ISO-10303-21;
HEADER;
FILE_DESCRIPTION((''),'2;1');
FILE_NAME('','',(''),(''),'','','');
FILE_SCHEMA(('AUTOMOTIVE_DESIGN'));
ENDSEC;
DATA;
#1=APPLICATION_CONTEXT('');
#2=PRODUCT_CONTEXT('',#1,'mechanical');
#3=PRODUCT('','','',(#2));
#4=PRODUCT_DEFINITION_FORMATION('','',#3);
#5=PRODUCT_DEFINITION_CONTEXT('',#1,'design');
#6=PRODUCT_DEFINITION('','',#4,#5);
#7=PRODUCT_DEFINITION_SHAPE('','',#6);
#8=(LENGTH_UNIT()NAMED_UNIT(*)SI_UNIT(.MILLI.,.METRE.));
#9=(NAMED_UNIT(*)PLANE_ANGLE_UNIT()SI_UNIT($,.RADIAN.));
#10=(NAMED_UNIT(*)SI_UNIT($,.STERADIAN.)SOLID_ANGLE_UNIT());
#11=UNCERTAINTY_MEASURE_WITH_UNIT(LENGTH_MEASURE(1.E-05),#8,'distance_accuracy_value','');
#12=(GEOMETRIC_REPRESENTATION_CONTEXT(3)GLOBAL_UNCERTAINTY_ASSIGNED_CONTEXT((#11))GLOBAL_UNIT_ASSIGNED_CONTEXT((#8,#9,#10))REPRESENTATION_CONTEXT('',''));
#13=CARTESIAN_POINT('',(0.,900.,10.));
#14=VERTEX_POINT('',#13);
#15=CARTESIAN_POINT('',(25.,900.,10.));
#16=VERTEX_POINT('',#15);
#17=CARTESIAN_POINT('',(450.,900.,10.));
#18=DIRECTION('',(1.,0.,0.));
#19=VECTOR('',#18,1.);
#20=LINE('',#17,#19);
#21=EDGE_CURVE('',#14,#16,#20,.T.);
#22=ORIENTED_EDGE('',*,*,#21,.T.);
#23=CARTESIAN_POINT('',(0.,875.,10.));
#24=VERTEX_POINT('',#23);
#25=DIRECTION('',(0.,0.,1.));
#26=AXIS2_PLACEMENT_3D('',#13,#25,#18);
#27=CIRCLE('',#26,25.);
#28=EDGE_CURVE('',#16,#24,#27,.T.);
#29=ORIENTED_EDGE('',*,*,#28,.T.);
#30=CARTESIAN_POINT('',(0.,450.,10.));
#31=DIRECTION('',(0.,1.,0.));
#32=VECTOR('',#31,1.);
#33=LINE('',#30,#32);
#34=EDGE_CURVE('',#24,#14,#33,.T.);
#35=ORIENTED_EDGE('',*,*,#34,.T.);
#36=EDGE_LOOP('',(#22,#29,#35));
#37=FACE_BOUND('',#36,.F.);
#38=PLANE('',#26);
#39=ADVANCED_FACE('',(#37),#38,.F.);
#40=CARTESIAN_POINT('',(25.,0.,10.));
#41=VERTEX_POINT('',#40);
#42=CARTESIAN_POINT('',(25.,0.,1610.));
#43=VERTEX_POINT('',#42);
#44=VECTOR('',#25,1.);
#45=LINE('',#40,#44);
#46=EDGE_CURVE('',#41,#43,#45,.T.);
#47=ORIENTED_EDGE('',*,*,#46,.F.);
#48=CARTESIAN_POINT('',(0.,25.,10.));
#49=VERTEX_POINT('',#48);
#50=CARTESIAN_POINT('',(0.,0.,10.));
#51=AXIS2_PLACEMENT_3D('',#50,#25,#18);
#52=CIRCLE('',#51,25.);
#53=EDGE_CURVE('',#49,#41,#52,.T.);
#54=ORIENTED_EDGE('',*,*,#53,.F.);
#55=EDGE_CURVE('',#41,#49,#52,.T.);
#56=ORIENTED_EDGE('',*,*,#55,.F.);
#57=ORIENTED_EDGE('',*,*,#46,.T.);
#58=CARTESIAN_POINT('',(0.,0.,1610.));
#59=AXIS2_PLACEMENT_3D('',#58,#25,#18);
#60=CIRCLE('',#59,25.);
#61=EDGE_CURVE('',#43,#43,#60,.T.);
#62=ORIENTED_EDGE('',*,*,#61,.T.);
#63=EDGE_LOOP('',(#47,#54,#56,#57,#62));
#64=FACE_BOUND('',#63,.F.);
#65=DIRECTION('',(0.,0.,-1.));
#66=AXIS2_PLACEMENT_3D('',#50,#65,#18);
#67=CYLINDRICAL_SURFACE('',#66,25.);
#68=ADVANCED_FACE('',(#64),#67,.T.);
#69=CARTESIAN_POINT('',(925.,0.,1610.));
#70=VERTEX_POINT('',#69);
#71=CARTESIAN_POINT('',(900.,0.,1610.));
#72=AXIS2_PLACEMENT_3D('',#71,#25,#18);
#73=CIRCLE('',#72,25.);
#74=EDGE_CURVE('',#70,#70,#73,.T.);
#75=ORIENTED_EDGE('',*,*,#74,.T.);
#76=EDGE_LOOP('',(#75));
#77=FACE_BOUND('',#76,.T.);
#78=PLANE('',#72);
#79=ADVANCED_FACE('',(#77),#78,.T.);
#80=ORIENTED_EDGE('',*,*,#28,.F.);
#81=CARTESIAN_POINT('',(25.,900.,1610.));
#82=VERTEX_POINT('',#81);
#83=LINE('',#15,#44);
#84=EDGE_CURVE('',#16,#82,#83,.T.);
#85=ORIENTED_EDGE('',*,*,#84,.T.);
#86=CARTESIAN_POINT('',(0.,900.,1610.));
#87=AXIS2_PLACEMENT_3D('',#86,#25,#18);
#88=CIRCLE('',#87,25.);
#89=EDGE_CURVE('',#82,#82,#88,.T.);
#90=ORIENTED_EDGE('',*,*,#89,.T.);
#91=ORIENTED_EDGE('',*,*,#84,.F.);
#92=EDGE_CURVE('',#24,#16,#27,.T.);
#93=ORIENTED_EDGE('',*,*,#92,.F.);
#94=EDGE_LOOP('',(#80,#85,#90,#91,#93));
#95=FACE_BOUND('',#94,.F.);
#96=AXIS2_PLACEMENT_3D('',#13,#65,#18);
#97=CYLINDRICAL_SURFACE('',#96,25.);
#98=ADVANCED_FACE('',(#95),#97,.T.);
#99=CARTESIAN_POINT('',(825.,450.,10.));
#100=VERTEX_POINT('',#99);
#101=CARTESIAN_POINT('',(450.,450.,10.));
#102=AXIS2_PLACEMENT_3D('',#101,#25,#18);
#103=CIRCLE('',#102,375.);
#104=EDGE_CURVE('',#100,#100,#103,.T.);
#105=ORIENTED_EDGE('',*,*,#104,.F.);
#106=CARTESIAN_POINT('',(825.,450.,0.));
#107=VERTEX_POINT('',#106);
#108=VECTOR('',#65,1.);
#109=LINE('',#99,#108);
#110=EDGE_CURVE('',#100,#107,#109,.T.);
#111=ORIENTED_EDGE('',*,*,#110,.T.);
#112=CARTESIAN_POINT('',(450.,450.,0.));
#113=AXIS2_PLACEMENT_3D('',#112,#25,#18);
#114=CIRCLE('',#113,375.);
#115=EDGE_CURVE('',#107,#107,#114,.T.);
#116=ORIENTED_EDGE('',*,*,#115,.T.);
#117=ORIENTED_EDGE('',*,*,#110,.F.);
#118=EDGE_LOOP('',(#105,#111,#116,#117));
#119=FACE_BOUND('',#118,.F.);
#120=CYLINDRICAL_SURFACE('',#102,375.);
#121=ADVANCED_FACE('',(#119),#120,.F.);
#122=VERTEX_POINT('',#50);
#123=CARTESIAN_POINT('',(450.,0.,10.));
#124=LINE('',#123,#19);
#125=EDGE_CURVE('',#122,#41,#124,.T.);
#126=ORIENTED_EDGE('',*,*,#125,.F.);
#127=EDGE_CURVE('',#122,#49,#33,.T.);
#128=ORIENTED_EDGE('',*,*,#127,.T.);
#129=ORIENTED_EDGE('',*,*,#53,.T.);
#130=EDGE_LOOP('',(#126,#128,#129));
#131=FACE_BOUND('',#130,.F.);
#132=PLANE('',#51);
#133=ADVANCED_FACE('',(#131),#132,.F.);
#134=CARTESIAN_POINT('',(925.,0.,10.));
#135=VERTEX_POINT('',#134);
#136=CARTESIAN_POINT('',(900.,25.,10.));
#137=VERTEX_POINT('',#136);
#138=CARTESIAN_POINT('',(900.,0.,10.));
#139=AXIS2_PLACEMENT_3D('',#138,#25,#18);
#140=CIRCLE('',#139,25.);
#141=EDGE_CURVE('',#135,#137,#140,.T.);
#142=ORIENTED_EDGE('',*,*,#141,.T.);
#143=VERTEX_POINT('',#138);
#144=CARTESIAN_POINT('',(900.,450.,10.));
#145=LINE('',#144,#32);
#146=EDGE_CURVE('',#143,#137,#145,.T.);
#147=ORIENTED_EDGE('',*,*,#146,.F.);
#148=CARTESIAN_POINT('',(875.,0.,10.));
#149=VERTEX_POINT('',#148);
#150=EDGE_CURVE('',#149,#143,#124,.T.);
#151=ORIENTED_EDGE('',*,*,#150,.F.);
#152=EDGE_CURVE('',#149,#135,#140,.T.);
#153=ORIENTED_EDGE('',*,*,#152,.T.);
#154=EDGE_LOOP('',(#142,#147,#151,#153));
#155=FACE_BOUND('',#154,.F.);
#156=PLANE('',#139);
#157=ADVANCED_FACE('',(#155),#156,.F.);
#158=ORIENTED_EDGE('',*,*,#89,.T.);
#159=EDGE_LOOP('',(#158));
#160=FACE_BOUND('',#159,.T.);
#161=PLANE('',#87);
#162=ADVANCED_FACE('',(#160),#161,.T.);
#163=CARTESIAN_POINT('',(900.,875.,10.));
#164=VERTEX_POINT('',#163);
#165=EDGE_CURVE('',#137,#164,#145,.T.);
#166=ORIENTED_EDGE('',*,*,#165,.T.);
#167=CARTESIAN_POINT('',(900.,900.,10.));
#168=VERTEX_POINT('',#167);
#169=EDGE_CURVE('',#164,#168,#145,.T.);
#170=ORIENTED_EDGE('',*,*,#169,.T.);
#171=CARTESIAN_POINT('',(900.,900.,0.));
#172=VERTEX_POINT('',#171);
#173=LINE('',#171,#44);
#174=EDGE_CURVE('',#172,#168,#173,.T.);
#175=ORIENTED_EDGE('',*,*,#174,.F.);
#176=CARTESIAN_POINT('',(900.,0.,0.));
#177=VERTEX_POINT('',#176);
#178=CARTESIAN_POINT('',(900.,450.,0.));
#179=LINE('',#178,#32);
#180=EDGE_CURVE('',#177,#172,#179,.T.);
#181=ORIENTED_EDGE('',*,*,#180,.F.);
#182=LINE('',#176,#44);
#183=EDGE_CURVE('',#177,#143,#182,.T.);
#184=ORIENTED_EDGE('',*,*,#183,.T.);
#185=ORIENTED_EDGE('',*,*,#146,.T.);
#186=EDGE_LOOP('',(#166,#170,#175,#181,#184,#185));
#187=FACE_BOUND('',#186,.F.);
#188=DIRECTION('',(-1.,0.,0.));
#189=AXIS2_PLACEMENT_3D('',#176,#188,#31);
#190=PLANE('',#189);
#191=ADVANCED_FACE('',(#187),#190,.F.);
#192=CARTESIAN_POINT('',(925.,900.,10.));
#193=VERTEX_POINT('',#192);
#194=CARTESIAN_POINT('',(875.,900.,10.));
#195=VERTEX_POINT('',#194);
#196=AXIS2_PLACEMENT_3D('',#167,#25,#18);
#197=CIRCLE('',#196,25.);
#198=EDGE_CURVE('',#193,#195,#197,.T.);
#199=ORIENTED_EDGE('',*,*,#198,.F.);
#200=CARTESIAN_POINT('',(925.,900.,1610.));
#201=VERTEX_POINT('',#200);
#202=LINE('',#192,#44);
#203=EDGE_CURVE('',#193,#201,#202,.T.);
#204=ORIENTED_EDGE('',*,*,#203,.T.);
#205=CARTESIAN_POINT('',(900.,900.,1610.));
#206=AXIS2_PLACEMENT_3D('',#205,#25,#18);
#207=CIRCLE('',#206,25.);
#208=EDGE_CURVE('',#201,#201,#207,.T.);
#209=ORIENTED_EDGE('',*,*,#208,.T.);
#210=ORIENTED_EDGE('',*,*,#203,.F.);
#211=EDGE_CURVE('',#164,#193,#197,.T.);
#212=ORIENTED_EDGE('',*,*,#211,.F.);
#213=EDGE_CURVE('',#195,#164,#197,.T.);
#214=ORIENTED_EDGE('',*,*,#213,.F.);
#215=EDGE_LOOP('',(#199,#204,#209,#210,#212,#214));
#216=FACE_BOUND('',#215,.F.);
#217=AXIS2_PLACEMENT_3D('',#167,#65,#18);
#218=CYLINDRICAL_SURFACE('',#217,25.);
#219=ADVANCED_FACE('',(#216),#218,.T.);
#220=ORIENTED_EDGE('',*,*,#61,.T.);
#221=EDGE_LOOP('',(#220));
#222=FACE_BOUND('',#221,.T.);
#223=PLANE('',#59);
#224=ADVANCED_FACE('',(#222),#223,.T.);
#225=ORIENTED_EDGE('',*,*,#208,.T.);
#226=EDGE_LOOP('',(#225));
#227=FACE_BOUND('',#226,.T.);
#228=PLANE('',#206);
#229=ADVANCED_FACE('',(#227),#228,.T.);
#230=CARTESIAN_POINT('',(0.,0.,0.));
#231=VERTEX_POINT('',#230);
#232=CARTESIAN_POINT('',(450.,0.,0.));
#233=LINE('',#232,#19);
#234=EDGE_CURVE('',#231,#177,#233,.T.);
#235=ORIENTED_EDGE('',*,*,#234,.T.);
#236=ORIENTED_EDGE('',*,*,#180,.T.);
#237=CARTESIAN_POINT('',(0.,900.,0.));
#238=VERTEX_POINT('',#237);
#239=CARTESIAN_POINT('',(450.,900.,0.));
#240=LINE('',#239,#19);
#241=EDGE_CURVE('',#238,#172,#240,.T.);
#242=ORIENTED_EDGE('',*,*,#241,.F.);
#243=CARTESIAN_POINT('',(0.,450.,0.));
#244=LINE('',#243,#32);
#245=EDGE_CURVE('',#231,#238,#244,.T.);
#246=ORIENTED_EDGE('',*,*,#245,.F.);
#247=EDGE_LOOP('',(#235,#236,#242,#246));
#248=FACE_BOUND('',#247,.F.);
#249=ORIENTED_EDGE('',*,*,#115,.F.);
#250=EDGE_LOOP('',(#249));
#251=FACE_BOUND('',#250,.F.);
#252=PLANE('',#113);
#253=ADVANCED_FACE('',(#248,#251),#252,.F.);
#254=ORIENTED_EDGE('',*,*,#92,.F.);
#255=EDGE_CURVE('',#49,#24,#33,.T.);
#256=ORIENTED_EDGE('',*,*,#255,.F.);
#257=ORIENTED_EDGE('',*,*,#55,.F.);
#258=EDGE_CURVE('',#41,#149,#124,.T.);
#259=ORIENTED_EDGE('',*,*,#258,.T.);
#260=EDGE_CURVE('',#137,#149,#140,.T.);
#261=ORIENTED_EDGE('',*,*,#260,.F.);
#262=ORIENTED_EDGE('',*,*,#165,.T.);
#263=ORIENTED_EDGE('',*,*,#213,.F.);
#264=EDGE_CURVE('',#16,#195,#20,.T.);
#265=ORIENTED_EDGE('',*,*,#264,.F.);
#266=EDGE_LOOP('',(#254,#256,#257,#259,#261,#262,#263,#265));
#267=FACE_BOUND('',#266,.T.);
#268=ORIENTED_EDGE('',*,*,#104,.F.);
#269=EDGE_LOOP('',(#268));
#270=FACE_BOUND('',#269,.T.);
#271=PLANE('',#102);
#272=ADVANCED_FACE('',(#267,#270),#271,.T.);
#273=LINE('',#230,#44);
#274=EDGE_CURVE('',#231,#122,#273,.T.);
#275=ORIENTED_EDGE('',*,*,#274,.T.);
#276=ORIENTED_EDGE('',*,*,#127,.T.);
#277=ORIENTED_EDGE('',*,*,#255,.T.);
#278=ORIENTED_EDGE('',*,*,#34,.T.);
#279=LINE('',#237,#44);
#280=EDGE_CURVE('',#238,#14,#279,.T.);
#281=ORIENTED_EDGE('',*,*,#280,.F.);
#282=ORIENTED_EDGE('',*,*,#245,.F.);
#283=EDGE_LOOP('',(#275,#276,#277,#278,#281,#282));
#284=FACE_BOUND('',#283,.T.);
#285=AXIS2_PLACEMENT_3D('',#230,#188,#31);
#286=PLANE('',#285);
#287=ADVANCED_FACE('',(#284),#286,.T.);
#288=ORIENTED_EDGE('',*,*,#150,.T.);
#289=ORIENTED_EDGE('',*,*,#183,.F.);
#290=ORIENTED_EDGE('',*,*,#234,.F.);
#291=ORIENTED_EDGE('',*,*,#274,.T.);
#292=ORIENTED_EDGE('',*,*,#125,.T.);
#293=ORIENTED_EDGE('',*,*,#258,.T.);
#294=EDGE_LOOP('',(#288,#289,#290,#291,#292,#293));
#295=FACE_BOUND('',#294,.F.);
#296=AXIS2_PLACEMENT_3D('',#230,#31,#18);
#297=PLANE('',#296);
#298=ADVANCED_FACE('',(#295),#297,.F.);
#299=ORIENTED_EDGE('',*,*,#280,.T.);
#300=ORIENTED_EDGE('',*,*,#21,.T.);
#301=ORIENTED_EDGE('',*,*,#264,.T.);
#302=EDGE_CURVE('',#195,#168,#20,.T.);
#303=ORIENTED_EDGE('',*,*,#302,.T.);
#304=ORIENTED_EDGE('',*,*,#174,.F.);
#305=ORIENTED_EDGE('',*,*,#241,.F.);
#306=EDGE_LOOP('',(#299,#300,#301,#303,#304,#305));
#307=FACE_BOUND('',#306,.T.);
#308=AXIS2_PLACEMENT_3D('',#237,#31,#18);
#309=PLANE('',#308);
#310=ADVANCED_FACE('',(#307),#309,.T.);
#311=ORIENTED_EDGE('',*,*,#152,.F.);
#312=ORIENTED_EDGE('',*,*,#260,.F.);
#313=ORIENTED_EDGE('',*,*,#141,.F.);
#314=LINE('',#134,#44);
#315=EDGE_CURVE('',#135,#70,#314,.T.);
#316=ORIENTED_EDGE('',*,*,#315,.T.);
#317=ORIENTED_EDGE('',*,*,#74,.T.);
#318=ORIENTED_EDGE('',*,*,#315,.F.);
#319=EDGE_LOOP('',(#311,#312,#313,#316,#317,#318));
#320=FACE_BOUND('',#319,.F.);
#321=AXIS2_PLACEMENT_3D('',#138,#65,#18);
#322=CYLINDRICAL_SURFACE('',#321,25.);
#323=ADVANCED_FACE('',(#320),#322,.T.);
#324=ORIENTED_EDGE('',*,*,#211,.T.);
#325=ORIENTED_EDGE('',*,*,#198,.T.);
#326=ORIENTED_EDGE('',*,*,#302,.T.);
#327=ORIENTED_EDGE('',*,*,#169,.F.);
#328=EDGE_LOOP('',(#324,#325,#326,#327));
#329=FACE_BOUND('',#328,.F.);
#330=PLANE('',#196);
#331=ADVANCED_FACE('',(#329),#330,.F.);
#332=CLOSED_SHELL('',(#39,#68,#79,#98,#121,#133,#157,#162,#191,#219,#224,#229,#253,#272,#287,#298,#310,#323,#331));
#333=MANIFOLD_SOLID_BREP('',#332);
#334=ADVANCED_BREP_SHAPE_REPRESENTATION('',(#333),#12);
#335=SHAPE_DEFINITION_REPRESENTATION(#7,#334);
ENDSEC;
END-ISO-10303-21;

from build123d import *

# Parameters (mm, degrees)
F0_W     = 900
F0_H     = 900
F1_DEPTH = 10
F2_R     = 25
F3_DEPTH = 1600
F4_R     = 375
F5_DEPTH = 10.001


with BuildPart() as f1:
    # F0 (on Top) → F1 (new body)
    with BuildSketch(Plane.XY):
        with Locations((450, 450)):
            Rectangle(F0_W, F0_H)
    extrude(amount=F1_DEPTH)

    # F2 (on face) → F3 (join)
    with BuildSketch(Plane.XY.offset(10)):
        Circle(F2_R)
        with Locations((0, 900)):
            Circle(F2_R)
        with Locations((900, 900)):
            Circle(F2_R)
        with Locations((900, 0)):
            Circle(F2_R)
    extrude(amount=F3_DEPTH)

    # F4 (on face) → F5 (cut, through all)
    with BuildSketch(Plane.XY.offset(10)):
        with Locations((450, 450)):
            Circle(F4_R)
    extrude(amount=-F5_DEPTH, mode=Mode.SUBTRACT)


solid = f1.part
